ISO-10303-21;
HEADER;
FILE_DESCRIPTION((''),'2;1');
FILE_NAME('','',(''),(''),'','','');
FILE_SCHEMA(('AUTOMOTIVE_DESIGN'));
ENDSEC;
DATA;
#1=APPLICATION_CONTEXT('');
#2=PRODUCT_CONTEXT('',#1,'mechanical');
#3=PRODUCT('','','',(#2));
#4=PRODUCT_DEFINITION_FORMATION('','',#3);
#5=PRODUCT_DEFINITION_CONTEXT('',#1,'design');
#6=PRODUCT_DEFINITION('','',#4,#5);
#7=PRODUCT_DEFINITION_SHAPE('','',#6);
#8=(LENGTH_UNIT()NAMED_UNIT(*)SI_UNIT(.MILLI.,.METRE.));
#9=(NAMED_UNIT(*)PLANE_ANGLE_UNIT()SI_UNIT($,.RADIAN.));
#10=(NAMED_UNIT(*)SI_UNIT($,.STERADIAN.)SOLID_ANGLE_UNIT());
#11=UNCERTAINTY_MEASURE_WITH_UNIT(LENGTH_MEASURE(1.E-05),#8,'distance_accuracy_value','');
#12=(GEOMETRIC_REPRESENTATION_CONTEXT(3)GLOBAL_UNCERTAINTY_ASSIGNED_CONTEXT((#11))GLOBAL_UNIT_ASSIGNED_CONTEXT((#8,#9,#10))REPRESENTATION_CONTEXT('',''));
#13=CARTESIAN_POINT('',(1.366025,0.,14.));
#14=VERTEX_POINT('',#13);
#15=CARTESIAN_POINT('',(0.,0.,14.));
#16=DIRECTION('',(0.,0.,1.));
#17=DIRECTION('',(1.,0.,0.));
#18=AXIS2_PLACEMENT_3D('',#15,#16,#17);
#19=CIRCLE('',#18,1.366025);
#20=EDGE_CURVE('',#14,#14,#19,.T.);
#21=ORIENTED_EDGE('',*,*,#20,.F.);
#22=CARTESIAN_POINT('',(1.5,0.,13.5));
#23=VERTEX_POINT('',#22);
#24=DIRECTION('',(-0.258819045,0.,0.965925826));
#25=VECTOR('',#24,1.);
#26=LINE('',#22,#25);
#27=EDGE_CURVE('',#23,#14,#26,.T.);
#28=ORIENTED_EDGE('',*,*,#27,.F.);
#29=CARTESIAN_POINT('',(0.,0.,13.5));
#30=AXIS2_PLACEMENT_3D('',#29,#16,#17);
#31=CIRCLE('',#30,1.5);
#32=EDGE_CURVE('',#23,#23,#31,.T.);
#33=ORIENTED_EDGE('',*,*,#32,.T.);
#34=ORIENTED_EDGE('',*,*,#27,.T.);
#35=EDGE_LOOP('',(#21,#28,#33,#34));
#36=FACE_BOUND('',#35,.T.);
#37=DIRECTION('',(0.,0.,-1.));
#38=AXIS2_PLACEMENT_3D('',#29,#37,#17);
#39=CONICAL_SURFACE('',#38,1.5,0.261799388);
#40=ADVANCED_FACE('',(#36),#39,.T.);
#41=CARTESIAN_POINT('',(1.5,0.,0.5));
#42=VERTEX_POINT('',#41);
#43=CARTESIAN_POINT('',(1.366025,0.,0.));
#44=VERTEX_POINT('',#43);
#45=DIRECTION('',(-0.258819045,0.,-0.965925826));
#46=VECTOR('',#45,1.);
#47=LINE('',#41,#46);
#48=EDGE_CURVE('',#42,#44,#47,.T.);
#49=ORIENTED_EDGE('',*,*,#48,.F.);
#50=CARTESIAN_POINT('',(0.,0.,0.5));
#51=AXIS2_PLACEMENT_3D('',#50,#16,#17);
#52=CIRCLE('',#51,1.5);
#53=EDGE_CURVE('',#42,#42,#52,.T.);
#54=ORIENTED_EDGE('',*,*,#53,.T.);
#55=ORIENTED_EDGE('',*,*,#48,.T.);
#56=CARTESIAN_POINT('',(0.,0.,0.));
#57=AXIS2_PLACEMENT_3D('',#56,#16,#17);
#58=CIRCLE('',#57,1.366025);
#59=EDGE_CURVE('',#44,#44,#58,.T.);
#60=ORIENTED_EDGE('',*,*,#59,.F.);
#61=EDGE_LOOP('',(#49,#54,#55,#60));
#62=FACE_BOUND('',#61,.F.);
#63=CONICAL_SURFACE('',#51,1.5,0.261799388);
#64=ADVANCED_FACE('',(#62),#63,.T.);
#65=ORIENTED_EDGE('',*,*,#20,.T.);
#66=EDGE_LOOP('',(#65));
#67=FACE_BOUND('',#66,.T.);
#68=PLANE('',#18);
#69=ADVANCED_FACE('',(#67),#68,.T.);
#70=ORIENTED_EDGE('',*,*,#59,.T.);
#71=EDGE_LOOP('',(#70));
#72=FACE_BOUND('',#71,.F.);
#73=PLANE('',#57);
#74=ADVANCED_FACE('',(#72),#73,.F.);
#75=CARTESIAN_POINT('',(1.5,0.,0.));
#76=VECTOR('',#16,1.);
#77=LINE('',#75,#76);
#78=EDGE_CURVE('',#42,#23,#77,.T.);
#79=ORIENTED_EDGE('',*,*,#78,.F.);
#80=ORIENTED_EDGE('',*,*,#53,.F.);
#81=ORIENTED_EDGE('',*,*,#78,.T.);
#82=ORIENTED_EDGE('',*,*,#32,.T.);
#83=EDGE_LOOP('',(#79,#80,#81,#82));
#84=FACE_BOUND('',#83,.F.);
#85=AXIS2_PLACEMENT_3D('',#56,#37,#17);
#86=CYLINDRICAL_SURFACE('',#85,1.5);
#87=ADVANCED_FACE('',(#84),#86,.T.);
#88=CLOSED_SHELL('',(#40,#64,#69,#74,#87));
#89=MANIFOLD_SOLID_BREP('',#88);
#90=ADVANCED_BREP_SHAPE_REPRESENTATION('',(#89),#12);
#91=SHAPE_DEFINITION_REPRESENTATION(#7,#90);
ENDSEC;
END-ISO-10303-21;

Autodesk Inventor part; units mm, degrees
ref_plane "YZ Plane" through (0, 0, 0) normal (1, 0, 0) x (0, 1, 0)
ref_plane "XZ Plane" through (0, 0, 0) normal (0, 1, 0) x (-1, 0, 0)
ref_plane "XY Plane" through (0, 0, 0) normal (0, 0, 1) x (1, 0, 0)
sketch "スケッチ1" plane through (0, 0, 0) normal (0, 0, 1) x (1, 0, 0)
  circle A0 centre (0, 0) radius 1.5
  dimension "d0" = 3
extrude "押し出し1" add sketch "スケッチ1" along normal blind 14
chamfer "面取り1" distance 0.5 angle 15 2 edges at (-1.5, 0, 0) (-1.5, 0, 14) measured on face at (1.4806, -0.2406, 9.3333)
properties part number "平行ピンD3L14" material "ステンレス鋼"
